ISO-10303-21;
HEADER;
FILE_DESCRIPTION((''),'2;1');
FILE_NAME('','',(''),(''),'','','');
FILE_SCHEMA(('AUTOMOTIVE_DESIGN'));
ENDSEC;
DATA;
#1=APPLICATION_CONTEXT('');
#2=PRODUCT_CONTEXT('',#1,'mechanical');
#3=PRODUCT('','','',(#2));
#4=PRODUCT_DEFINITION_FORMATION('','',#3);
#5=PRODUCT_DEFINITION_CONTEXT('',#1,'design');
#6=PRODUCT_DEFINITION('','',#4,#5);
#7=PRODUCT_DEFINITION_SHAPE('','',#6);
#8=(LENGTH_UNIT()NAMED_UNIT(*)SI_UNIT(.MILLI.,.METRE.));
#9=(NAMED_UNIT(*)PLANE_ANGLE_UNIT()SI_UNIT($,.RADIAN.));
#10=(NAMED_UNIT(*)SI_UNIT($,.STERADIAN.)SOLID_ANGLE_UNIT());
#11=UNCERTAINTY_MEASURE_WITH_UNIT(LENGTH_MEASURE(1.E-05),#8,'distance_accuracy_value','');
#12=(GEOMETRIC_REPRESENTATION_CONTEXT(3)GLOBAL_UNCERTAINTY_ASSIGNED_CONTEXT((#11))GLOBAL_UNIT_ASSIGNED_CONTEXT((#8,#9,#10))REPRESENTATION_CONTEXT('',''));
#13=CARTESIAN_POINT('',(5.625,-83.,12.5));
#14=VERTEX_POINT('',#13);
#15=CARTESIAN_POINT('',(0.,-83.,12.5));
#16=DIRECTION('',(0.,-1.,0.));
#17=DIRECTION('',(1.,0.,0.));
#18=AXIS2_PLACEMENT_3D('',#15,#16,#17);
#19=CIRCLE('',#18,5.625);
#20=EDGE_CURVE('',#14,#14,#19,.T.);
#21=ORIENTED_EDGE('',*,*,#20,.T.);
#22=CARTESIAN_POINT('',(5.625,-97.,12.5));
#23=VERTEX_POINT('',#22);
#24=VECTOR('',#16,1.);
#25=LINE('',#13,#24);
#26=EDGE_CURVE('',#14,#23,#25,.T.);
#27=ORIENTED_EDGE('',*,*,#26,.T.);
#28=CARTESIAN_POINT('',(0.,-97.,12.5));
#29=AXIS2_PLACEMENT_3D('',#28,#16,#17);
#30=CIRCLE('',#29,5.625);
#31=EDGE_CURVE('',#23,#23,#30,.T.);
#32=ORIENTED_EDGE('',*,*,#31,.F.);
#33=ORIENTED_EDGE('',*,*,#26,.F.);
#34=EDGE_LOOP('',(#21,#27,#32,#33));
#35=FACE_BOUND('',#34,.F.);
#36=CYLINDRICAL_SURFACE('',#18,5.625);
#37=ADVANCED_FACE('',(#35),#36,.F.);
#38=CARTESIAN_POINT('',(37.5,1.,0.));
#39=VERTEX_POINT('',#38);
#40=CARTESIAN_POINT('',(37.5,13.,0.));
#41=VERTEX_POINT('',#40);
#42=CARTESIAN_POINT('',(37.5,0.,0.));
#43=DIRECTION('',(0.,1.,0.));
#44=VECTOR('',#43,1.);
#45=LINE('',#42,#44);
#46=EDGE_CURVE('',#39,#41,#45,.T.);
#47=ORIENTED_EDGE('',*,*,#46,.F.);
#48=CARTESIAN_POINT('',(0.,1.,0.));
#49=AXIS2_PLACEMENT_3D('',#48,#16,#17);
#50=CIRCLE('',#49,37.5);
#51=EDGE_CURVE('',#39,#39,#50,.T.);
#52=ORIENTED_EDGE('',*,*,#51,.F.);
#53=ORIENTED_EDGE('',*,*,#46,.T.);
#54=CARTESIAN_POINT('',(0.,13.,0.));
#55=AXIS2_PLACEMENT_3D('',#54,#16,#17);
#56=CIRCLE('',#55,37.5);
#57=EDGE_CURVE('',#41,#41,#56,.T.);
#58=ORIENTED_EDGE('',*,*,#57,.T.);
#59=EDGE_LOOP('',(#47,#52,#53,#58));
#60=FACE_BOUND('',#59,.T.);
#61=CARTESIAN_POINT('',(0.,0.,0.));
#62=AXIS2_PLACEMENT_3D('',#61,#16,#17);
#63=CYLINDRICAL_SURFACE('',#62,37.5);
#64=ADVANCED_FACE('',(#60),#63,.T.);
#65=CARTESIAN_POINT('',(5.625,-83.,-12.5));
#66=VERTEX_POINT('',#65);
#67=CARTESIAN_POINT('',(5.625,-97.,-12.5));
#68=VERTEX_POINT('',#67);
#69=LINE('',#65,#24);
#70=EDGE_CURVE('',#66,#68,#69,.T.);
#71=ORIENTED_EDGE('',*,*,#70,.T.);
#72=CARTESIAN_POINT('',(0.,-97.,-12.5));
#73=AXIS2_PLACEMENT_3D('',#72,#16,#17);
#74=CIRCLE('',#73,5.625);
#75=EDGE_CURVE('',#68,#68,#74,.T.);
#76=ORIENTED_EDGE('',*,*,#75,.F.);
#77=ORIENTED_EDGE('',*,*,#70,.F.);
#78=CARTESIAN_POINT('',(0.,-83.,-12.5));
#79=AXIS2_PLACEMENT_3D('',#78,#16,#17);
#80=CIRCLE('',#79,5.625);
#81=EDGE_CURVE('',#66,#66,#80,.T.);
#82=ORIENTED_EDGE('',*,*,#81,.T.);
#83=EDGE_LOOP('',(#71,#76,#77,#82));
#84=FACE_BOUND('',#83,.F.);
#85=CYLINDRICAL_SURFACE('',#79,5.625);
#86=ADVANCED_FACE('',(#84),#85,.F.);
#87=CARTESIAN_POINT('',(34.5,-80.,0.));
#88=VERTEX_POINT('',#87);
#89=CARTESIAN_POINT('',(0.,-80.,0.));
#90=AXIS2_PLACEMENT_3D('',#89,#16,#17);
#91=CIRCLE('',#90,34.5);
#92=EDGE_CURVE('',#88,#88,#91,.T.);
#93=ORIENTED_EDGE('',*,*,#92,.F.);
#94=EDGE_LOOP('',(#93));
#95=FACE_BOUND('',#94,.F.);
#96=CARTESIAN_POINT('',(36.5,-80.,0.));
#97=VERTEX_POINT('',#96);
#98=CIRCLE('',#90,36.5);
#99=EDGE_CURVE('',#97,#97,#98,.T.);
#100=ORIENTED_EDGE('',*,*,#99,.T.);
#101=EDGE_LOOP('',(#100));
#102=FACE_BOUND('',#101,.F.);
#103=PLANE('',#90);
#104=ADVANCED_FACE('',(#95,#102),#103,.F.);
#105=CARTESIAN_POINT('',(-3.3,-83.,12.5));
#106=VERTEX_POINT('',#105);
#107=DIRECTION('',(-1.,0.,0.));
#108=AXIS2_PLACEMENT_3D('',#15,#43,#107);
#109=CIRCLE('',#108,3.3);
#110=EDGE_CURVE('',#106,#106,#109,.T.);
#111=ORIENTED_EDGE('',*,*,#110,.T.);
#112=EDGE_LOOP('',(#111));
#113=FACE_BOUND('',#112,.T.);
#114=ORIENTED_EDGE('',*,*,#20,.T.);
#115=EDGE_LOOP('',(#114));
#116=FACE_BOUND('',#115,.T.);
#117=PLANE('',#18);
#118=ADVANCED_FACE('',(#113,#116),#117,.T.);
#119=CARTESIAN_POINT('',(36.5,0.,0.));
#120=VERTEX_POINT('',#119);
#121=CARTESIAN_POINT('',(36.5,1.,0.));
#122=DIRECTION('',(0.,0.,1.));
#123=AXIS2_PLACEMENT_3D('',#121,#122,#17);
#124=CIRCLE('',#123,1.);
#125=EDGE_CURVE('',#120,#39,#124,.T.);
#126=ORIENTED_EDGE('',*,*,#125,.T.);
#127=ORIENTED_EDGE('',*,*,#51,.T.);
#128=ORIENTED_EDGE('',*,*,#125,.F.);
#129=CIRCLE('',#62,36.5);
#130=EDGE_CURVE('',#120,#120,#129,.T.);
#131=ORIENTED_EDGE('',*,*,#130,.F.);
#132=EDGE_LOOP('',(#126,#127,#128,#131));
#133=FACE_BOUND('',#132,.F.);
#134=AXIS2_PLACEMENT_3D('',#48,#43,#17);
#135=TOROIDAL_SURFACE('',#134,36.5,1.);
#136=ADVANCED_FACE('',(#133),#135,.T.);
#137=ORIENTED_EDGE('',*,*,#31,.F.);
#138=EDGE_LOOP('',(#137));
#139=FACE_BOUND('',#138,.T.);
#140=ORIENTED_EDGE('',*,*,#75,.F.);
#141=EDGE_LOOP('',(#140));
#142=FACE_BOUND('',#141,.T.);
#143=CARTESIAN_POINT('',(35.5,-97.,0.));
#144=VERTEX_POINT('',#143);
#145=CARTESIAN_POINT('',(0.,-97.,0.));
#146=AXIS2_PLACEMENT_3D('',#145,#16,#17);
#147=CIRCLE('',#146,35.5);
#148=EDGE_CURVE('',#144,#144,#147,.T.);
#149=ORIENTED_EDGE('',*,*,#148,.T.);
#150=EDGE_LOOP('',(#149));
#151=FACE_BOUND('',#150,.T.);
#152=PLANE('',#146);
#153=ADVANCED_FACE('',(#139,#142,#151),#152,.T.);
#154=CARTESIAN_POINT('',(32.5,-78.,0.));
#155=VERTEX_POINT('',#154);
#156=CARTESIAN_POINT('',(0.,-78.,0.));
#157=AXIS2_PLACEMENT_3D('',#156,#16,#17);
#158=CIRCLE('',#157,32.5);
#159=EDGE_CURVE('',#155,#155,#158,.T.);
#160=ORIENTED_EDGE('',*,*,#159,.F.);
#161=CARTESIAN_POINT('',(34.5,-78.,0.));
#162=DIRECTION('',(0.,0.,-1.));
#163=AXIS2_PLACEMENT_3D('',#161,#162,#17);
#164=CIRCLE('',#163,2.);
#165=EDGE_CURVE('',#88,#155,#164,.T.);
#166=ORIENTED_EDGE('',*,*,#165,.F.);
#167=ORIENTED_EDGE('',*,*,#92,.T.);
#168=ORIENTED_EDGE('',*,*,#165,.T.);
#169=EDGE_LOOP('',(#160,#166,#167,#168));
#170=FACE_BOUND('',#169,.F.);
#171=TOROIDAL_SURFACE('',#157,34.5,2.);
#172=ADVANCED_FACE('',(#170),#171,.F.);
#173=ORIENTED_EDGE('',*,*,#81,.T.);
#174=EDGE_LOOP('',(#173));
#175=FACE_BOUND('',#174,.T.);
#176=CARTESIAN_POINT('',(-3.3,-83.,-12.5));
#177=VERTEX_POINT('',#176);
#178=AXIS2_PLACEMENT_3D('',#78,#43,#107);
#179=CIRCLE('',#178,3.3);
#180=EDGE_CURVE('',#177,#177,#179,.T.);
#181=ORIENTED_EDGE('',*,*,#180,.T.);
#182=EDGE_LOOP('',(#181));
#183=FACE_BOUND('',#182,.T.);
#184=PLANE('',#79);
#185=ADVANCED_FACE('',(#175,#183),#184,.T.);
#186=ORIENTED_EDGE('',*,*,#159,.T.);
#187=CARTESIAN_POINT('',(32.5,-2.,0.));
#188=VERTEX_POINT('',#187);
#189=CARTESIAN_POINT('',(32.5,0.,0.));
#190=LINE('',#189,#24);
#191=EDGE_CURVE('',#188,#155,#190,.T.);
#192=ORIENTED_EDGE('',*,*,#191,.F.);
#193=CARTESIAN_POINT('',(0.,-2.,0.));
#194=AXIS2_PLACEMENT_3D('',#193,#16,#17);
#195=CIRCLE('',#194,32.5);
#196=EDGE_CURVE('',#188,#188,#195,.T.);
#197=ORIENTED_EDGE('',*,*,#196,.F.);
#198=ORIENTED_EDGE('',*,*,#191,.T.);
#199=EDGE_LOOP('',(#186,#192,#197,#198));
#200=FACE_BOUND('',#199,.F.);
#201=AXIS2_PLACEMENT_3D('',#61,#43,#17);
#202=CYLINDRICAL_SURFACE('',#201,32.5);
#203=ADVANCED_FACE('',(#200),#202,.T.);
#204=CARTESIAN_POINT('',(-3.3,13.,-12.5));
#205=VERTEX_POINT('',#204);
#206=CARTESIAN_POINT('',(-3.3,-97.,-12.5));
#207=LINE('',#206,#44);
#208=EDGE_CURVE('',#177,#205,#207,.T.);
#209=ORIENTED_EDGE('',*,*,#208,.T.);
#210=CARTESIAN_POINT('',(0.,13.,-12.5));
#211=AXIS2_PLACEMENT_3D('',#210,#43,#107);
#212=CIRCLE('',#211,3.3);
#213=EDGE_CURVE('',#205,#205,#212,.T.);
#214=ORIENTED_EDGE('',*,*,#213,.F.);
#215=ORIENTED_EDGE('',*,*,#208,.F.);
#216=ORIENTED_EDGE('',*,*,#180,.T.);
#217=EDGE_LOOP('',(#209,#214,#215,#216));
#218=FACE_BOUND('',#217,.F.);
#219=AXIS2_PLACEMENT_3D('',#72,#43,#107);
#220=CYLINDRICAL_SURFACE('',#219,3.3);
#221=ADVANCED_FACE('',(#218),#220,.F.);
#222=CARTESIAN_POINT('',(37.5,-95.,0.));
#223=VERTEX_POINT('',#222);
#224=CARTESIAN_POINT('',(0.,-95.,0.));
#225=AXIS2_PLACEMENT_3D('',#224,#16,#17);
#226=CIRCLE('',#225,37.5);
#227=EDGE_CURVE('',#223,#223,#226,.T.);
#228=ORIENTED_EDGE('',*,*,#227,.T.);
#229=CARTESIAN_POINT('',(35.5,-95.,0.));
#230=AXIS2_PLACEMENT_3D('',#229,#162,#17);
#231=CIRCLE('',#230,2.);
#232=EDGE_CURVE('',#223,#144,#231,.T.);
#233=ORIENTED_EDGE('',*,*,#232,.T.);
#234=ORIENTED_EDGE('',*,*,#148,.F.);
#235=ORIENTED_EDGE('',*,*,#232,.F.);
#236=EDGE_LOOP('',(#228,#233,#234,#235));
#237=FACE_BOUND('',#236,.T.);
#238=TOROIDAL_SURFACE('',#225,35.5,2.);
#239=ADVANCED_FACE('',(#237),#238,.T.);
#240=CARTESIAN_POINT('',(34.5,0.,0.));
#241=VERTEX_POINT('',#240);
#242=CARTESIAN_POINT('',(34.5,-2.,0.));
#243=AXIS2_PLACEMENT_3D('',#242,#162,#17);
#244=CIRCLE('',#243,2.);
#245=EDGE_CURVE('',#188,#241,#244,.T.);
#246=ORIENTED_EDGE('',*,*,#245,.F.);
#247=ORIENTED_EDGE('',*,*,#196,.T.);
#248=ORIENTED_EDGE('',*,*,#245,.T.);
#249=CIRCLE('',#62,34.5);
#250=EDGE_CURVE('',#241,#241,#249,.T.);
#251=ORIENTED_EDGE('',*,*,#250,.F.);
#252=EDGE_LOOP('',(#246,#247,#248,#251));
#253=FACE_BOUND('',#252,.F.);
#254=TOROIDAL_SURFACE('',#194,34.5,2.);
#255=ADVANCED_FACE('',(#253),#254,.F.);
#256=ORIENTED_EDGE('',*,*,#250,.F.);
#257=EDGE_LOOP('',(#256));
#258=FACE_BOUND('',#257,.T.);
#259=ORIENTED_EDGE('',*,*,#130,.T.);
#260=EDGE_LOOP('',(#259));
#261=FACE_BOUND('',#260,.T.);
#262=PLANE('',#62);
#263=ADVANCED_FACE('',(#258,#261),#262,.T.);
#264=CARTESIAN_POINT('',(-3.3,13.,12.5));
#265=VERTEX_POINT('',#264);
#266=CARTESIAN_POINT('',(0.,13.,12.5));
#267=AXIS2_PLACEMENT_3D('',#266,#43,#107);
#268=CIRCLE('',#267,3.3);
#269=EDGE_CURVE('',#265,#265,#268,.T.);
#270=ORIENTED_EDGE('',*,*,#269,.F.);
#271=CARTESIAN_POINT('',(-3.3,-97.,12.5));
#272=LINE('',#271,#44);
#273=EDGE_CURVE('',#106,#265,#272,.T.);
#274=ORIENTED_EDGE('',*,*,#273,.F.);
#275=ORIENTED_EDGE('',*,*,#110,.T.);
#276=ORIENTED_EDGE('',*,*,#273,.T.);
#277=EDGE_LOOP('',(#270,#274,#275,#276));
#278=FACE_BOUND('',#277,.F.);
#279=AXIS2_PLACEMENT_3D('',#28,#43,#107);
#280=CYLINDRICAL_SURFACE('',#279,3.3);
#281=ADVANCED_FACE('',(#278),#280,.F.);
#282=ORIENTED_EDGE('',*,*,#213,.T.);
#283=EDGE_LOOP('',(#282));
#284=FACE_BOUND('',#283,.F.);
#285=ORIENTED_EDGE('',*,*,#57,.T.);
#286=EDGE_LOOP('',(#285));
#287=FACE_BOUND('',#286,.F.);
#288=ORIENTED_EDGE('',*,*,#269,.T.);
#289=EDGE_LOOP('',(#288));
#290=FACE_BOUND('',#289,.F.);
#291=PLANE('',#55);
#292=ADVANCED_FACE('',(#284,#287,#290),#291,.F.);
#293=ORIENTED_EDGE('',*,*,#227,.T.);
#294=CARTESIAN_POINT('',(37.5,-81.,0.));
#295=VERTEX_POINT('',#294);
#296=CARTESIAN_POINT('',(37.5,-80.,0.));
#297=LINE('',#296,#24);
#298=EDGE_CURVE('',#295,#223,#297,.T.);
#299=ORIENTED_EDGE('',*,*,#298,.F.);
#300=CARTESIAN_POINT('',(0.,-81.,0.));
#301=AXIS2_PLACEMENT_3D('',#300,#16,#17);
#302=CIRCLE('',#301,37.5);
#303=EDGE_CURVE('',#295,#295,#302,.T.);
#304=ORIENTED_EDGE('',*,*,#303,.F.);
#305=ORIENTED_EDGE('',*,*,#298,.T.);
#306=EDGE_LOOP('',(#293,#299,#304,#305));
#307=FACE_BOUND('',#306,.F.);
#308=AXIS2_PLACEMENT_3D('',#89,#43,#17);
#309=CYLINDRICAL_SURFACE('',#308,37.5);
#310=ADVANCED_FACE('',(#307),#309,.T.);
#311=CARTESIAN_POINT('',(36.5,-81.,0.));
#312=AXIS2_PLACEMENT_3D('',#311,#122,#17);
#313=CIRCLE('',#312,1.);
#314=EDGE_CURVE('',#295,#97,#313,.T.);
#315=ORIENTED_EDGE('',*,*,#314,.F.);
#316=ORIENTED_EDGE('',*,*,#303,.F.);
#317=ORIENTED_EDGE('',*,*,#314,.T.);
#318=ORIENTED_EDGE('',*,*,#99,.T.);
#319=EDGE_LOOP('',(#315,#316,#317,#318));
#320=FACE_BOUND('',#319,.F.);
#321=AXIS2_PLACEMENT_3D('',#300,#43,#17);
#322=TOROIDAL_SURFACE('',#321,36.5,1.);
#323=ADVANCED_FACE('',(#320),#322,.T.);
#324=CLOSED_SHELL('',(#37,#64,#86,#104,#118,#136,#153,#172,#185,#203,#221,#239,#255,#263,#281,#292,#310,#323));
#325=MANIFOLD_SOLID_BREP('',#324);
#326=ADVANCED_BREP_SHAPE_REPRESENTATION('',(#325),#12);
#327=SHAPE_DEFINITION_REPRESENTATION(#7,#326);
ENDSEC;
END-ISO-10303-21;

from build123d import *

# Parameters (mm, degrees)
F0_R           = 32.5
F1_DEPTH       = 80
F2_R           = 37.5
F3_DEPTH       = 13
F4_R           = 37.5
F5_DEPTH       = 17
F6_R           = 2
F8_D           = 6.6
F8_CBORE_D     = 11.25
F8_CBORE_DEPTH = 14
F9_R           = 1


with BuildPart() as f1:
    # F0 (on Front) → F1 (new body)
    with BuildSketch(Plane.XZ):
        Circle(F0_R)
    extrude(amount=F1_DEPTH)

    # F2 (on Front) → F3 (join)
    with BuildSketch(Plane.XZ):
        Circle(F2_R)
    extrude(amount=-F3_DEPTH)

    # F4 (on face) → F5 (join)
    with BuildSketch(Plane.XZ.offset(80)):
        Circle(F4_R)
    extrude(amount=F5_DEPTH)

    # F6
    f6_edges = [f1.edges().sort_by_distance(p)[0] for p in [
        (-32.5, 0, 0),
        (-37.5, -97, 0),
        (-32.5, -80, 0),
    ]]
    fillet(f6_edges, radius=F6_R)

    # F8 (through all)
    with Locations(Plane.XZ.offset(97)):
        with Locations((0, 12.5), (0, -12.5)):
            CounterBoreHole(F8_D / 2, F8_CBORE_D / 2, F8_CBORE_DEPTH)

    # F9
    f9_edges = [f1.edges().sort_by_distance(p)[0] for p in [
        (-37.5, 0, 0),
        (-37.5, -80, 0),
    ]]
    fillet(f9_edges, radius=F9_R)


solid = f1.part
